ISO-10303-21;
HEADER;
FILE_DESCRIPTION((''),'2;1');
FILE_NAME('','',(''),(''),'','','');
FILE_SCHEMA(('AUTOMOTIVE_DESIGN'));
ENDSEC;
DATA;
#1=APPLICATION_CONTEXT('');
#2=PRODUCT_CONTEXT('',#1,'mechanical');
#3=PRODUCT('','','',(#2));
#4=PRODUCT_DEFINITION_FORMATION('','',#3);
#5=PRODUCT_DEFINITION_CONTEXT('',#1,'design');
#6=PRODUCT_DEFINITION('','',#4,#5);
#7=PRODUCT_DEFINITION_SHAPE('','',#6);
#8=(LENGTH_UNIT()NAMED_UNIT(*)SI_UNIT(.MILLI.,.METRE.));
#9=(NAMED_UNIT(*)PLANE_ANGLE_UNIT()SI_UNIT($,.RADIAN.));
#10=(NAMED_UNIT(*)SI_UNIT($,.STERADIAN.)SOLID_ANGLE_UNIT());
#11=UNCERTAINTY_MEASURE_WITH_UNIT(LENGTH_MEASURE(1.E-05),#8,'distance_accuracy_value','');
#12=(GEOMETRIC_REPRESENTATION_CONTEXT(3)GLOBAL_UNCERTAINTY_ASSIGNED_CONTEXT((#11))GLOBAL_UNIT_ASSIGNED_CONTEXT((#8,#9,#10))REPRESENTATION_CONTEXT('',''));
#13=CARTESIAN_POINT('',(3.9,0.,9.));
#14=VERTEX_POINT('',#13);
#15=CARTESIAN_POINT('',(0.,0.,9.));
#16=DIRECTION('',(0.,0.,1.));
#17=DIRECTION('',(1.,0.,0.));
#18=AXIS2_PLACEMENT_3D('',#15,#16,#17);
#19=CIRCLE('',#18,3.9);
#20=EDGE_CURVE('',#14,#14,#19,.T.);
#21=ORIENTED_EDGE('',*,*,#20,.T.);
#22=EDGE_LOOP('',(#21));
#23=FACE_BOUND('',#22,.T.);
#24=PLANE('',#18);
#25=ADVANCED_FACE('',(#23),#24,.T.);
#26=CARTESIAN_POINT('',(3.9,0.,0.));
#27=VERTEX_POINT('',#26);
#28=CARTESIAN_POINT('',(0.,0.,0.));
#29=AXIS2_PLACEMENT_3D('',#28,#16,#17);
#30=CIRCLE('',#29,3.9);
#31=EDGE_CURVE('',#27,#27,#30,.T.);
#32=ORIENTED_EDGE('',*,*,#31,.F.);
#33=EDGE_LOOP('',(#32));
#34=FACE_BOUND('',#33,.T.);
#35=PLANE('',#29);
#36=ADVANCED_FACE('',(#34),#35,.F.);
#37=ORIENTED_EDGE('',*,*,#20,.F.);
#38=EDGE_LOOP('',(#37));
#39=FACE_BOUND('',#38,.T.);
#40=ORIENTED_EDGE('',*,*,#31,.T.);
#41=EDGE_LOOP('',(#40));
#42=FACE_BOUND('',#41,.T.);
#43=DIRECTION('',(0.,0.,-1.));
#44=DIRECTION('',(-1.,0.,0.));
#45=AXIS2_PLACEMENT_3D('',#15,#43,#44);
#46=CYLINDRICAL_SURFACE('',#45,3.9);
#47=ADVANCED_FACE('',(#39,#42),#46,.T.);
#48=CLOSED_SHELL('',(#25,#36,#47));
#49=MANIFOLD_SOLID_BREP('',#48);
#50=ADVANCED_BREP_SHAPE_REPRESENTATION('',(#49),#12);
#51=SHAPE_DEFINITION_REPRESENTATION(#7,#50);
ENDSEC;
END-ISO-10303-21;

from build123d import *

# Parameters (mm, degrees)
SKETCH1_R           = 3.899999947
BOSS_EXTRUDE1_DEPTH = 9


with BuildPart() as part:
    # Sketch1 → Boss-Extrude1 (new body)
    with BuildSketch(Plane.XY):
        Circle(SKETCH1_R)
    extrude(amount=BOSS_EXTRUDE1_DEPTH)


solid = part.part
